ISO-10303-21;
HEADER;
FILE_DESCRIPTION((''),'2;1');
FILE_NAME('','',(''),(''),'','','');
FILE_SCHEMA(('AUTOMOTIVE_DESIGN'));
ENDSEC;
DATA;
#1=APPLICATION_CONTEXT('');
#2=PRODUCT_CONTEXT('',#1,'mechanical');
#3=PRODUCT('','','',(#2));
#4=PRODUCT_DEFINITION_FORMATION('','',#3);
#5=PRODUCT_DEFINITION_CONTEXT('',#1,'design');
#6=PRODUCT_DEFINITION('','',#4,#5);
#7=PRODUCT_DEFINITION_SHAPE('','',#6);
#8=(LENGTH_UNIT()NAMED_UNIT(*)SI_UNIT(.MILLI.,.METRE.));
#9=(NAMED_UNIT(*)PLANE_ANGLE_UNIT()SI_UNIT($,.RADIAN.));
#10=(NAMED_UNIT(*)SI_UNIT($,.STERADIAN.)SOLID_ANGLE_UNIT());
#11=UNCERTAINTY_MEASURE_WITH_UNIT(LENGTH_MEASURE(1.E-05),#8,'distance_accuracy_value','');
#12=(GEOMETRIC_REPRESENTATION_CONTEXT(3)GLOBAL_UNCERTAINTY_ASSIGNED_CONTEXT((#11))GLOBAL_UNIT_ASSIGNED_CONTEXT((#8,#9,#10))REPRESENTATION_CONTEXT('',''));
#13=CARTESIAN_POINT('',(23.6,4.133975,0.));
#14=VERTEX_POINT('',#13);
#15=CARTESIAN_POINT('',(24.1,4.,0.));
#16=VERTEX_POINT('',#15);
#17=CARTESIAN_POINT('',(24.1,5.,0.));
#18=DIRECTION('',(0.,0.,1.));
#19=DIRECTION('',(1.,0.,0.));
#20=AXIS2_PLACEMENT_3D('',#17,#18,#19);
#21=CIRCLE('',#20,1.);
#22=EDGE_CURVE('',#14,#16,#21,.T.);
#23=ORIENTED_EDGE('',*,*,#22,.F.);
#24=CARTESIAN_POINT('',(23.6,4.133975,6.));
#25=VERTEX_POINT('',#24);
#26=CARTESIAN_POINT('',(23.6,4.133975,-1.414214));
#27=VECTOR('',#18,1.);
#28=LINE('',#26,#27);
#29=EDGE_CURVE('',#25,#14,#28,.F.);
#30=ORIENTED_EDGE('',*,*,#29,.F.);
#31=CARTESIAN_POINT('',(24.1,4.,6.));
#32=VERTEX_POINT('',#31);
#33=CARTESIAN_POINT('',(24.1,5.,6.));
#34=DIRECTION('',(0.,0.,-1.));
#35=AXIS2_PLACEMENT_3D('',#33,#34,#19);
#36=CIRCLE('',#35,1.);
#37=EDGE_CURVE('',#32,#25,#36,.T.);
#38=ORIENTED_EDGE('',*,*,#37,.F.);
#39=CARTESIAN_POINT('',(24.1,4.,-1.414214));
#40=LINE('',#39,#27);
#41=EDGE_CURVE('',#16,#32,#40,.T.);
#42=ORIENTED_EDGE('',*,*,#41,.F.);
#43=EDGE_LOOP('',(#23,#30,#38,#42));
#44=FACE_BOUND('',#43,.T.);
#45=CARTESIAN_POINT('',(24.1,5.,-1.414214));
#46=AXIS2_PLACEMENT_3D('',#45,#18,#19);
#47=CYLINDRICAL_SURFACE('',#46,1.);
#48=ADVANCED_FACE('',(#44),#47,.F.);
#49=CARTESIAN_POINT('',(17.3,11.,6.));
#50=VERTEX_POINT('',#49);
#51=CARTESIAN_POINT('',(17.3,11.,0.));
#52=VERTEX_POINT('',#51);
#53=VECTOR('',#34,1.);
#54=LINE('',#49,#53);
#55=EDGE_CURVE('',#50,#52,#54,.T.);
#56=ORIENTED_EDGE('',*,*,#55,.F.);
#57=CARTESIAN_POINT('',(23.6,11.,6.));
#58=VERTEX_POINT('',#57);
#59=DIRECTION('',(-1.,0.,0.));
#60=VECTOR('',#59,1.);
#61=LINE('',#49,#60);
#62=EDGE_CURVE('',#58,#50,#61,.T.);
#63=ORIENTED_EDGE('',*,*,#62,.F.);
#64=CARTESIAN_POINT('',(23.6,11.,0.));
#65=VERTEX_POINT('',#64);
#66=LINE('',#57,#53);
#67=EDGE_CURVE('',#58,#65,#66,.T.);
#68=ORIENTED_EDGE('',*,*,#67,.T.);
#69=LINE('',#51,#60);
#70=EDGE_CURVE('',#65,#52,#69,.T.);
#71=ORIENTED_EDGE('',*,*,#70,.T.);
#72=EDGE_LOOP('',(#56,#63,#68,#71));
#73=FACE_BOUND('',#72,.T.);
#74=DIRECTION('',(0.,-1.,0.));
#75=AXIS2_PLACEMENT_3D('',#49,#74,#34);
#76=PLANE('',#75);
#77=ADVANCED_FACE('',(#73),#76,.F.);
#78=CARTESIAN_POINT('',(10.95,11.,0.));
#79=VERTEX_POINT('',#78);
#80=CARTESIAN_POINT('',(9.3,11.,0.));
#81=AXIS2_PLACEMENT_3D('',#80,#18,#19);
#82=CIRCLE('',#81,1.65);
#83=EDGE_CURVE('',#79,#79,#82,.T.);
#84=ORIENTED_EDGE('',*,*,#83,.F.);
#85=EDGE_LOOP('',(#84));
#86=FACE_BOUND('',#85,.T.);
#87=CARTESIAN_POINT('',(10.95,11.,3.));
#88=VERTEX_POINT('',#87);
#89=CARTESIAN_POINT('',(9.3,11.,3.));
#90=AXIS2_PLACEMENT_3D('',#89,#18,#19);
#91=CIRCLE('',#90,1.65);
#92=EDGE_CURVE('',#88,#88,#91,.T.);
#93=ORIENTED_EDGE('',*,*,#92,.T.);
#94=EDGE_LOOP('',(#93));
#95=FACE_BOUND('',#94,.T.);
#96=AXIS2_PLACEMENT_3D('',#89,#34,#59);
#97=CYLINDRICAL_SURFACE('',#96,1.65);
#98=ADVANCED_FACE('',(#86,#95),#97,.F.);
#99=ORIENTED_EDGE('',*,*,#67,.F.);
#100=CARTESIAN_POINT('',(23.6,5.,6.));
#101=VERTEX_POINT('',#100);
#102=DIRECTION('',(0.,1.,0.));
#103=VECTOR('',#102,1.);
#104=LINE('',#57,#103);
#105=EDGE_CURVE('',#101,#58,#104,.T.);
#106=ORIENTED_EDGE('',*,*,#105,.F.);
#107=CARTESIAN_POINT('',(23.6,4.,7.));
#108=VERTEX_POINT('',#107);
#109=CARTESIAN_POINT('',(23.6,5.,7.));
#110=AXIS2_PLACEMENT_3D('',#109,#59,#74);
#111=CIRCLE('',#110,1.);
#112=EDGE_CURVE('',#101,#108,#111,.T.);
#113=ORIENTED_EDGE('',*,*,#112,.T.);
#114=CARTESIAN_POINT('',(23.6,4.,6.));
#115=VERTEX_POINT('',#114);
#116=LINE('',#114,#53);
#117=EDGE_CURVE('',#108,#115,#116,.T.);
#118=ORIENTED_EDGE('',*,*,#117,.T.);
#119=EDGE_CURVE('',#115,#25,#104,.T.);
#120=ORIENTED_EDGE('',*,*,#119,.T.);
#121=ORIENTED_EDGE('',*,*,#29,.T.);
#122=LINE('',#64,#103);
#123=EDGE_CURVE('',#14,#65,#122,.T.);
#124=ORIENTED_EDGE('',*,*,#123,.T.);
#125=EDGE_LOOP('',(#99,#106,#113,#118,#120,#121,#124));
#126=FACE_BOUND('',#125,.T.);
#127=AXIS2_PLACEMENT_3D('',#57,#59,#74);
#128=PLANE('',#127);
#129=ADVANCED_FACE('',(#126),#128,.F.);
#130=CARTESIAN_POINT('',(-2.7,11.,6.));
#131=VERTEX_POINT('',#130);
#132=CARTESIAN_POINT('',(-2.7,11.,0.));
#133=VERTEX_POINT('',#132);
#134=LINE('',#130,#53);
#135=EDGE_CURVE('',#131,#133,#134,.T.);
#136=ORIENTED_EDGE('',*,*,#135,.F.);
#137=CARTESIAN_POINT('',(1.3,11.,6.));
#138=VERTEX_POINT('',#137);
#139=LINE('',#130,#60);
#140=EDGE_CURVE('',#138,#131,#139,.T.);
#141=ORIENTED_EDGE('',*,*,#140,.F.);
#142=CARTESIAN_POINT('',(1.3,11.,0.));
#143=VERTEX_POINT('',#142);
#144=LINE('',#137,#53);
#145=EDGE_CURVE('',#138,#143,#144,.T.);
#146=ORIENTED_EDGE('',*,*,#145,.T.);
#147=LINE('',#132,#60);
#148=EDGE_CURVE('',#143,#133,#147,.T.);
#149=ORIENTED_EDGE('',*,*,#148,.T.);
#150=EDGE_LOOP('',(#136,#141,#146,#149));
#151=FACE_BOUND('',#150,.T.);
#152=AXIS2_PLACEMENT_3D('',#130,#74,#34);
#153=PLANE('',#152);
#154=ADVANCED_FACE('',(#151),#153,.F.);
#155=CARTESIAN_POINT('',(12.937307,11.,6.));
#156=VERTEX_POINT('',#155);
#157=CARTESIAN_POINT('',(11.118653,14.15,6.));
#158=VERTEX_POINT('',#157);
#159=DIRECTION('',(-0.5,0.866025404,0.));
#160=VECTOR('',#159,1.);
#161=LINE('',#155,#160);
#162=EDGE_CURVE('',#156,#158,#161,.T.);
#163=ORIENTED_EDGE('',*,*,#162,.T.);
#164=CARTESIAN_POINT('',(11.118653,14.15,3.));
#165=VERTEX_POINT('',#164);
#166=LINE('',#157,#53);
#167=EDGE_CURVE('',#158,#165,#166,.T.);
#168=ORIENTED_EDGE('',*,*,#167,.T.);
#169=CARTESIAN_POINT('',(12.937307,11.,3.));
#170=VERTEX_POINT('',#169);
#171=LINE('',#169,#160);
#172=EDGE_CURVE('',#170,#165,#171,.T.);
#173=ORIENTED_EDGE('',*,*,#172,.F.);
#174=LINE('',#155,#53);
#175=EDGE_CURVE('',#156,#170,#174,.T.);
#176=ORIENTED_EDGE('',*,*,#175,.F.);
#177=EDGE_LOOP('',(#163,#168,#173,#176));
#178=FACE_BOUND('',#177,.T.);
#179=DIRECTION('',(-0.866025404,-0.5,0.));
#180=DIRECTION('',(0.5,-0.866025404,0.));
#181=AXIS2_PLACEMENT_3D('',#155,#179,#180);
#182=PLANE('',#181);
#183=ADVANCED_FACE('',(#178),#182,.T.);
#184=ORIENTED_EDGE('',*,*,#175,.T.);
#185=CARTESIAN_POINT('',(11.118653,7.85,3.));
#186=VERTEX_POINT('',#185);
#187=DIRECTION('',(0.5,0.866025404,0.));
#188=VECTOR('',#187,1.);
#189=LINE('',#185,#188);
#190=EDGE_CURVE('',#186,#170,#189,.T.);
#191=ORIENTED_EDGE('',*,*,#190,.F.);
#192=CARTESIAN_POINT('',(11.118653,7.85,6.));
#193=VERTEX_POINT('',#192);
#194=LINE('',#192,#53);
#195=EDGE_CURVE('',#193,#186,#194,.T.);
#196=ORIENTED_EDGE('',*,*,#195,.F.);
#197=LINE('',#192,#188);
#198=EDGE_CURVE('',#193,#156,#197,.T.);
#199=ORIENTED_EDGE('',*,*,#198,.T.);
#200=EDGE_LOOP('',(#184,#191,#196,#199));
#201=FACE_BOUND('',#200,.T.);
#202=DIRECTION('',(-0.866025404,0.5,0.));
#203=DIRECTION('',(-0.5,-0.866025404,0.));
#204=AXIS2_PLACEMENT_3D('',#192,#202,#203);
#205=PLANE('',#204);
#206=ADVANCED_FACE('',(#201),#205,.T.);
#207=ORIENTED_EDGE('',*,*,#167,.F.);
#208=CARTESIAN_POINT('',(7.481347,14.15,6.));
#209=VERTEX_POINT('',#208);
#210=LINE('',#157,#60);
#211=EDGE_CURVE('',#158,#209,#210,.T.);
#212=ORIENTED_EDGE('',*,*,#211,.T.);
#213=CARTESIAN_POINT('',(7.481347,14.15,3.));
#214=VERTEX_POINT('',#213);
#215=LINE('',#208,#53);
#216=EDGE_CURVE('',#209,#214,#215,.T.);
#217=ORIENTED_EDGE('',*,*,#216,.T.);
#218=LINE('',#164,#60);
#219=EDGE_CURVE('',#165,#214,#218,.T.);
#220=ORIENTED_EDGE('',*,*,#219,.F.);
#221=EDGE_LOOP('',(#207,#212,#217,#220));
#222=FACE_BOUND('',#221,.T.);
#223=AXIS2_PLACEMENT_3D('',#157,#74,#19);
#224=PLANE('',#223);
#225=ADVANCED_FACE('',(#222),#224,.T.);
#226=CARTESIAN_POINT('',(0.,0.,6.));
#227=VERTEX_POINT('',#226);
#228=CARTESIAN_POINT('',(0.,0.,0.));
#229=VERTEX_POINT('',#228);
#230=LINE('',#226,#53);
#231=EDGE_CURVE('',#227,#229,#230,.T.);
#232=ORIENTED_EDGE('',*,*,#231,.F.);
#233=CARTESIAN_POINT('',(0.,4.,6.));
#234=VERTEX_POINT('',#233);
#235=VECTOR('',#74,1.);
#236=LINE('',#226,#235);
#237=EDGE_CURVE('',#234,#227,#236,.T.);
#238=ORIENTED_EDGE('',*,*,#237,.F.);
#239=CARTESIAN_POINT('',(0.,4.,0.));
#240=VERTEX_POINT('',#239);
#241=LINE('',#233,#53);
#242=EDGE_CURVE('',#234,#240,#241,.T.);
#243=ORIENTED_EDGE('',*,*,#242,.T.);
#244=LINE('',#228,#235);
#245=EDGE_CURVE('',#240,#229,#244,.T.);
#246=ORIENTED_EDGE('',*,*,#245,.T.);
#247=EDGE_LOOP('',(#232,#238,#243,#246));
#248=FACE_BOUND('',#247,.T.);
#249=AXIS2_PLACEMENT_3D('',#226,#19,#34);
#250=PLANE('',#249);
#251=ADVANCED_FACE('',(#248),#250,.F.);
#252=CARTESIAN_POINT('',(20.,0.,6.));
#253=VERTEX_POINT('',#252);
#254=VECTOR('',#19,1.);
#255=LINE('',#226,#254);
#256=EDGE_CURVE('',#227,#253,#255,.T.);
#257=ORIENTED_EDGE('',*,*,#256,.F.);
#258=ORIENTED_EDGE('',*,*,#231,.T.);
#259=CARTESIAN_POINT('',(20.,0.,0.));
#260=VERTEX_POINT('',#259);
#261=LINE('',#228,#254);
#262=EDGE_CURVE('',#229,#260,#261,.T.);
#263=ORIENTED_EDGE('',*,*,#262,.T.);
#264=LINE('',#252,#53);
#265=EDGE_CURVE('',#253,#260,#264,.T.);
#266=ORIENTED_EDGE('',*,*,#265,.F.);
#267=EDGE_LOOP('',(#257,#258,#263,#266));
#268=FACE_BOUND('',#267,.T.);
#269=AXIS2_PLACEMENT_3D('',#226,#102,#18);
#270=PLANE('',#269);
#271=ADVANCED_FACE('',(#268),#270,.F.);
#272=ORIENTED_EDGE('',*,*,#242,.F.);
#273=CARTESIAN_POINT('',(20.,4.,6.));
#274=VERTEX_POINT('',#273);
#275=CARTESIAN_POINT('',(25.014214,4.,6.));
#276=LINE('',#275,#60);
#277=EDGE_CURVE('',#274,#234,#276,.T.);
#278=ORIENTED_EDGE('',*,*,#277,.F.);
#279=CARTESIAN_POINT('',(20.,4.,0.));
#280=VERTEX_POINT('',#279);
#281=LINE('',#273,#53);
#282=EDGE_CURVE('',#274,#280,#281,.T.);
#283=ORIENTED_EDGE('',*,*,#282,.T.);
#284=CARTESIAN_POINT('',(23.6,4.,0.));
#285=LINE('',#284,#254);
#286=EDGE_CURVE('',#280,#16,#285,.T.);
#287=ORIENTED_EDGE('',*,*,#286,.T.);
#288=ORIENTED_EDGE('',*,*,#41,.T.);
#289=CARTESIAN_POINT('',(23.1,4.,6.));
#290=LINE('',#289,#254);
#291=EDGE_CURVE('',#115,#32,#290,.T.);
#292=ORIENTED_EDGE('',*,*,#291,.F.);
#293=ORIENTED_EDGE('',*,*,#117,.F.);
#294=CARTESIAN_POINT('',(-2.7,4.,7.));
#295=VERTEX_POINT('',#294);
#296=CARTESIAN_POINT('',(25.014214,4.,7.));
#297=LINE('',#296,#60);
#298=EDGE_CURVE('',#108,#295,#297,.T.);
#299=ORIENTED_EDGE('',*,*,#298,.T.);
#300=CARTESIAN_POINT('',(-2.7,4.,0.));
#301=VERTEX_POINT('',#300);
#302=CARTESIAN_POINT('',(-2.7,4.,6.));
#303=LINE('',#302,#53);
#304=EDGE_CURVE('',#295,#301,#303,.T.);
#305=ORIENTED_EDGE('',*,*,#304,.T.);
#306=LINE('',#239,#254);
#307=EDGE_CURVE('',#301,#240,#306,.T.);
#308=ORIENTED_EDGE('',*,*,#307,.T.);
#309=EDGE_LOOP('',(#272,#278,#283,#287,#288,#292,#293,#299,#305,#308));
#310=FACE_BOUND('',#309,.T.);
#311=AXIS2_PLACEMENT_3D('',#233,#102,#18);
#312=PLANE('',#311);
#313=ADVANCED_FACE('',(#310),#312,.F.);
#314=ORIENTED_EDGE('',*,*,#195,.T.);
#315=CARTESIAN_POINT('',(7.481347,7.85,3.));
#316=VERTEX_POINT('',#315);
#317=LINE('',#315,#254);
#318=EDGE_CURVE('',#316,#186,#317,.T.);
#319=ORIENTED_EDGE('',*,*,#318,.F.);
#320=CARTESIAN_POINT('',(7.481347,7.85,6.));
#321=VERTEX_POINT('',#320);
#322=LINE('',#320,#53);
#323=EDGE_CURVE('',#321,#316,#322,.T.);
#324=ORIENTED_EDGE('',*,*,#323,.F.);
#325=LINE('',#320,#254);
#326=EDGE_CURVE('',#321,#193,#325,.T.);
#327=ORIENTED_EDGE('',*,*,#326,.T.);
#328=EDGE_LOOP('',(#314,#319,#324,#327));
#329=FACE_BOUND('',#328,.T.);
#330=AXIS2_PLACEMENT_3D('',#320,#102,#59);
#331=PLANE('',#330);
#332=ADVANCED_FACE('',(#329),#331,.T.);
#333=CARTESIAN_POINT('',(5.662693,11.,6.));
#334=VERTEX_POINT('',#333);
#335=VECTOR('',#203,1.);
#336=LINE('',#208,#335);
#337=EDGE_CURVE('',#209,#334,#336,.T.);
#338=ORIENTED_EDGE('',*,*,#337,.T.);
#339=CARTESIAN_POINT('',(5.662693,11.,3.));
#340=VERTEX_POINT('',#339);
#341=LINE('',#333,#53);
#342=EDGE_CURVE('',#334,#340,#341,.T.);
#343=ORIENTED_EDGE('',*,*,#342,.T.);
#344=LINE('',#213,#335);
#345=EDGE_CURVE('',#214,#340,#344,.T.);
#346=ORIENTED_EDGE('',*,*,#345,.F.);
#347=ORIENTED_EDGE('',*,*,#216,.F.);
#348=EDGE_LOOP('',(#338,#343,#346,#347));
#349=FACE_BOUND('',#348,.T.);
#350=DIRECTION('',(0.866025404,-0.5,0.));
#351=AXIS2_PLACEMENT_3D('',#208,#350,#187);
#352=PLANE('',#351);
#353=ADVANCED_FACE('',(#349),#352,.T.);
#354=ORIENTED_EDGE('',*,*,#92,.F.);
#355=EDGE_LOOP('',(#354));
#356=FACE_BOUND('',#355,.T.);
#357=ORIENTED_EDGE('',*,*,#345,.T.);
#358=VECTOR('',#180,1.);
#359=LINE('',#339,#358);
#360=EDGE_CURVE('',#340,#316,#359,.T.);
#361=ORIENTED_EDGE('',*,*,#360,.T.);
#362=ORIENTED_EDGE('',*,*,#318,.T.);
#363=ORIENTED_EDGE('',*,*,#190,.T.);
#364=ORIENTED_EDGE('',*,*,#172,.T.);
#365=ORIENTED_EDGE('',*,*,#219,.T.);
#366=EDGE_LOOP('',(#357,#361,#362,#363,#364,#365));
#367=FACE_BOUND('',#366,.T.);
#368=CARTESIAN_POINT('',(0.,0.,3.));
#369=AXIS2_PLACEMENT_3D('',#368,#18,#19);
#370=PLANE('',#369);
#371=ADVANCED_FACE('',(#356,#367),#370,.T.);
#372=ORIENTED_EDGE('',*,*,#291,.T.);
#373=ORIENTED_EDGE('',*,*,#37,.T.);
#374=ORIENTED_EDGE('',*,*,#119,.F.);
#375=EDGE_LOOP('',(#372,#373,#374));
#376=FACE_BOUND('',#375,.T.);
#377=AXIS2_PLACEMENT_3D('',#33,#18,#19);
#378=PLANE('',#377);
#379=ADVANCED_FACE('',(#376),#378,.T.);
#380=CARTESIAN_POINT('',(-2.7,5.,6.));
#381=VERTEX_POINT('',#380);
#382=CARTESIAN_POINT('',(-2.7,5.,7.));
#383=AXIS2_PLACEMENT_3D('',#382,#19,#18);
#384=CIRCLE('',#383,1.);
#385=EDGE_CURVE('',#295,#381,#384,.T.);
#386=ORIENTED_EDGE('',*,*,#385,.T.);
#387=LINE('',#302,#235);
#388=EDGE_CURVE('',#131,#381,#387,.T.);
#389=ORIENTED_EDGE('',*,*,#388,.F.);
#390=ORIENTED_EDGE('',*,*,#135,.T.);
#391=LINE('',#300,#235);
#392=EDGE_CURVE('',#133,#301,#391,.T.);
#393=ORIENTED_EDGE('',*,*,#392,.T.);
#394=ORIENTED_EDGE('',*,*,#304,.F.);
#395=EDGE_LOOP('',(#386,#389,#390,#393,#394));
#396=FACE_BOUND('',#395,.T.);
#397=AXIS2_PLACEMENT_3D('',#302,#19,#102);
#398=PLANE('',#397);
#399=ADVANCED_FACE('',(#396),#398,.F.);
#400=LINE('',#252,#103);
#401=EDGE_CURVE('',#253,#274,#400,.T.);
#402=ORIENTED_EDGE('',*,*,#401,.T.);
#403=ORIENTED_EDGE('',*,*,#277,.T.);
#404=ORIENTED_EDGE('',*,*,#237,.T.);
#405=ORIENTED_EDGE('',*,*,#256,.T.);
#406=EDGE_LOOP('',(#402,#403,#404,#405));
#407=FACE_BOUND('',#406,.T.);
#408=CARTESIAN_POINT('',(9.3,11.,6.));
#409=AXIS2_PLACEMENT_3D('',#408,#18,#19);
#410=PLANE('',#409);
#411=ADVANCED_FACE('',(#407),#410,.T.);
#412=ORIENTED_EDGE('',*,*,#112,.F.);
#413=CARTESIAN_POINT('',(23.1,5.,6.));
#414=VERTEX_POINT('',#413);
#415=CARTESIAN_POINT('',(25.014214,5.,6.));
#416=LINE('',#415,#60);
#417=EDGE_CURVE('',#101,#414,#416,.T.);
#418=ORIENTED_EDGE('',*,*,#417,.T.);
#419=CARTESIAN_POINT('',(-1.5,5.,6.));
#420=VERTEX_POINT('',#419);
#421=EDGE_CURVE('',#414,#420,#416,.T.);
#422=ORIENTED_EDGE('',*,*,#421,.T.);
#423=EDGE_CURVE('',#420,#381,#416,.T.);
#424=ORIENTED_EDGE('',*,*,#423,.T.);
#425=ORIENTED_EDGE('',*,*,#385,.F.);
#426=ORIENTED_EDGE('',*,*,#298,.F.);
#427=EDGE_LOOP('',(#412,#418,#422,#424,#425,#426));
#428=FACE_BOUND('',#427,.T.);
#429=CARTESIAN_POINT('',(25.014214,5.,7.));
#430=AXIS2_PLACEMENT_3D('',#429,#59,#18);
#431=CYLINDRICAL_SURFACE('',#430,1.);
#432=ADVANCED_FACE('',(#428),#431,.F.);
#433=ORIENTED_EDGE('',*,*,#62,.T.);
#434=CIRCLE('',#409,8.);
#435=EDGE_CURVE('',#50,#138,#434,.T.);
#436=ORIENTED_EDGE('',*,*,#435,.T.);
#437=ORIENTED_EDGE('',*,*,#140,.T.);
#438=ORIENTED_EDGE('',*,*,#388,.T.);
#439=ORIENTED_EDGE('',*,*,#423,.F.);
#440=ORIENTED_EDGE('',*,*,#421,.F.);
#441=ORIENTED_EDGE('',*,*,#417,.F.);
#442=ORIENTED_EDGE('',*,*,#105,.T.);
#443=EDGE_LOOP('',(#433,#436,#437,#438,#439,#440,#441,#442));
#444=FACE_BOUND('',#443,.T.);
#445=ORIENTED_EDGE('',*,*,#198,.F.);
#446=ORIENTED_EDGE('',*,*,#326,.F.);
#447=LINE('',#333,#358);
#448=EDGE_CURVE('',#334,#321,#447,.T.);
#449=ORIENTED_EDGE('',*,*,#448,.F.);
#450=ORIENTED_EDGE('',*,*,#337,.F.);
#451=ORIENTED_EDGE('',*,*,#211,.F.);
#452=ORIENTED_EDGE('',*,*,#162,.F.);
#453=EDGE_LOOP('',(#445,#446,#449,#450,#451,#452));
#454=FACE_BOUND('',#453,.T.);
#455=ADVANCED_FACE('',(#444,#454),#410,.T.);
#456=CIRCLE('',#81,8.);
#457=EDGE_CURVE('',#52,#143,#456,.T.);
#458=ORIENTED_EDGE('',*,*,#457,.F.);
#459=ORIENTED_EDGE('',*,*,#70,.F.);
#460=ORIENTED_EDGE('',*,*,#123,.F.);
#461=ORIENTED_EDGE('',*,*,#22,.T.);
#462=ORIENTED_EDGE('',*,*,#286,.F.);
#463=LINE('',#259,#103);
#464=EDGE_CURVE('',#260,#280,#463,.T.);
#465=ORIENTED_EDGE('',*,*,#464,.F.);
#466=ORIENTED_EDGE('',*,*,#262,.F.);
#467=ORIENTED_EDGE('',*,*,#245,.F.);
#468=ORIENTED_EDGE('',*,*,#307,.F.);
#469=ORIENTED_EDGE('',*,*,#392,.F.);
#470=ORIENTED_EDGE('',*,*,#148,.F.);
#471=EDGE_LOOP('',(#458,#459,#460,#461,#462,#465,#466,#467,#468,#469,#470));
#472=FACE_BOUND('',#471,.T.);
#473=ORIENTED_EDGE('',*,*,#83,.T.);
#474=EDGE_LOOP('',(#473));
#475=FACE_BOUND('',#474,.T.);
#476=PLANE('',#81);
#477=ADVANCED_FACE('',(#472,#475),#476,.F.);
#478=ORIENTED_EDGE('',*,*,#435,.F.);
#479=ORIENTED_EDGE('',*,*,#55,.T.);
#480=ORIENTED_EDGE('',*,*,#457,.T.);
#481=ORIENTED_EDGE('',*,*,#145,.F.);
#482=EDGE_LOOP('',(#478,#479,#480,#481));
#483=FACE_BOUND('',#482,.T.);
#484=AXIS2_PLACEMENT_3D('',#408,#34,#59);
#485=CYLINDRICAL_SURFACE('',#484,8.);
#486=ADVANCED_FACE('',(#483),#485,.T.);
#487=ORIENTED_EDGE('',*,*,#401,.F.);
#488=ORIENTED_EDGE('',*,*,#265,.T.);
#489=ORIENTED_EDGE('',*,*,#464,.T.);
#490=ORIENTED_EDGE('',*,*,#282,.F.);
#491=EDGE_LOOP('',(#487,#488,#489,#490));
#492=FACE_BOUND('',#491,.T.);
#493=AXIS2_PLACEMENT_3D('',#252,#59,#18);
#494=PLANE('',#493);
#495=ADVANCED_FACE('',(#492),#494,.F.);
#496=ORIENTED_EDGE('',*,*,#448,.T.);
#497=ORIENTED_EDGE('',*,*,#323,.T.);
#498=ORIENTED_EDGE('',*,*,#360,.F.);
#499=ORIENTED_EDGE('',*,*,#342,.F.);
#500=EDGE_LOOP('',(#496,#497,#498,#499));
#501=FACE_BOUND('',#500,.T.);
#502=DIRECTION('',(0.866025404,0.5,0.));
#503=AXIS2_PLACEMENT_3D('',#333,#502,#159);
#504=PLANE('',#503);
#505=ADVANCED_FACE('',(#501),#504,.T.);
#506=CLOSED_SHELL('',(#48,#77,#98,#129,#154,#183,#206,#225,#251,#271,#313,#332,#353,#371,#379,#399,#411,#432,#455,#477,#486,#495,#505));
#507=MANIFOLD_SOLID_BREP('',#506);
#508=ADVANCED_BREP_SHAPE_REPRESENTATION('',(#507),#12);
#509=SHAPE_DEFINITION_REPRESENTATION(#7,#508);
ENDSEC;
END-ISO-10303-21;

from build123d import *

# Parameters (mm, degrees)
BOSS_EXTRUDE1_DEPTH = 6
BOSS_EXTRUDE2_DEPTH = 26.3
BOSS_EXTRUDE3_DEPTH = 6
SKETCH8_R           = 1.65
BOSS_EXTRUDE4_DEPTH = 3


with BuildPart() as part:
    # Sketch1 → Boss-Extrude1 (new body)
    with BuildSketch(Plane.XY):
        with BuildLine():
            Line((0, 0), (20, 0))
            Line((20, 0), (20, 4))
            Line((20, 4), (23.6, 4))
            Line((23.6, 4), (23.6, 11))
            Line((23.6, 11), (17.3, 11))
            ThreePointArc((17.3, 11), (9.3, 19), (1.3, 11))
            Line((1.3, 11), (-2.7, 11))
            Line((-2.7, 11), (-2.7, 4))
            Line((-2.7, 4), (0, 4))
            Line((0, 4), (0, 0))
        make_face()
        Polygon((11.118653348, 14.15), (7.481346652, 14.15), (5.662693304, 11), (7.481346652, 7.85), (11.118653348, 7.85), (12.937306696, 11), align=None, mode=Mode.SUBTRACT)
    extrude(amount=BOSS_EXTRUDE1_DEPTH)

    # Sketch2 → Boss-Extrude2 (add)
    with BuildSketch(Plane.ZY.offset(2.7)):
        with BuildLine():
            Line((6, 4), (6, 5))
            ThreePointArc((6, 5), (6.292893219, 4.292893219), (7, 4))
            Line((7, 4), (6, 4))
        make_face()
    extrude(amount=-BOSS_EXTRUDE2_DEPTH)

    # Sketch4 → Boss-Extrude3 (add)
    with BuildSketch(Plane.XY.offset(6)):
        with BuildLine():
            Line((23.1, 4), (23.1, 5))
            ThreePointArc((23.1, 5), (23.392893219, 4.292893219), (24.1, 4))
            Line((24.1, 4), (23.1, 4))
        make_face()
        with BuildLine():
            Line((-1.5, 4), (-2.5, 4))
            ThreePointArc((-2.5, 4), (-1.792893219, 4.292893219), (-1.5, 5))
            Line((-1.5, 5), (-1.5, 4))
        make_face()
    extrude(amount=-BOSS_EXTRUDE3_DEPTH)

    # Sketch8 → Boss-Extrude4 (add)
    with BuildSketch(Plane.XY):
        Polygon((7.481346652, 14.15), (5.662693304, 11), (7.481346652, 7.85), (11.118653348, 7.85), (12.937306696, 11), (11.118653348, 14.15), align=None)
        with Locations((9.3, 11)):
            Circle(SKETCH8_R, mode=Mode.SUBTRACT)
    extrude(amount=BOSS_EXTRUDE4_DEPTH)


solid = part.part
